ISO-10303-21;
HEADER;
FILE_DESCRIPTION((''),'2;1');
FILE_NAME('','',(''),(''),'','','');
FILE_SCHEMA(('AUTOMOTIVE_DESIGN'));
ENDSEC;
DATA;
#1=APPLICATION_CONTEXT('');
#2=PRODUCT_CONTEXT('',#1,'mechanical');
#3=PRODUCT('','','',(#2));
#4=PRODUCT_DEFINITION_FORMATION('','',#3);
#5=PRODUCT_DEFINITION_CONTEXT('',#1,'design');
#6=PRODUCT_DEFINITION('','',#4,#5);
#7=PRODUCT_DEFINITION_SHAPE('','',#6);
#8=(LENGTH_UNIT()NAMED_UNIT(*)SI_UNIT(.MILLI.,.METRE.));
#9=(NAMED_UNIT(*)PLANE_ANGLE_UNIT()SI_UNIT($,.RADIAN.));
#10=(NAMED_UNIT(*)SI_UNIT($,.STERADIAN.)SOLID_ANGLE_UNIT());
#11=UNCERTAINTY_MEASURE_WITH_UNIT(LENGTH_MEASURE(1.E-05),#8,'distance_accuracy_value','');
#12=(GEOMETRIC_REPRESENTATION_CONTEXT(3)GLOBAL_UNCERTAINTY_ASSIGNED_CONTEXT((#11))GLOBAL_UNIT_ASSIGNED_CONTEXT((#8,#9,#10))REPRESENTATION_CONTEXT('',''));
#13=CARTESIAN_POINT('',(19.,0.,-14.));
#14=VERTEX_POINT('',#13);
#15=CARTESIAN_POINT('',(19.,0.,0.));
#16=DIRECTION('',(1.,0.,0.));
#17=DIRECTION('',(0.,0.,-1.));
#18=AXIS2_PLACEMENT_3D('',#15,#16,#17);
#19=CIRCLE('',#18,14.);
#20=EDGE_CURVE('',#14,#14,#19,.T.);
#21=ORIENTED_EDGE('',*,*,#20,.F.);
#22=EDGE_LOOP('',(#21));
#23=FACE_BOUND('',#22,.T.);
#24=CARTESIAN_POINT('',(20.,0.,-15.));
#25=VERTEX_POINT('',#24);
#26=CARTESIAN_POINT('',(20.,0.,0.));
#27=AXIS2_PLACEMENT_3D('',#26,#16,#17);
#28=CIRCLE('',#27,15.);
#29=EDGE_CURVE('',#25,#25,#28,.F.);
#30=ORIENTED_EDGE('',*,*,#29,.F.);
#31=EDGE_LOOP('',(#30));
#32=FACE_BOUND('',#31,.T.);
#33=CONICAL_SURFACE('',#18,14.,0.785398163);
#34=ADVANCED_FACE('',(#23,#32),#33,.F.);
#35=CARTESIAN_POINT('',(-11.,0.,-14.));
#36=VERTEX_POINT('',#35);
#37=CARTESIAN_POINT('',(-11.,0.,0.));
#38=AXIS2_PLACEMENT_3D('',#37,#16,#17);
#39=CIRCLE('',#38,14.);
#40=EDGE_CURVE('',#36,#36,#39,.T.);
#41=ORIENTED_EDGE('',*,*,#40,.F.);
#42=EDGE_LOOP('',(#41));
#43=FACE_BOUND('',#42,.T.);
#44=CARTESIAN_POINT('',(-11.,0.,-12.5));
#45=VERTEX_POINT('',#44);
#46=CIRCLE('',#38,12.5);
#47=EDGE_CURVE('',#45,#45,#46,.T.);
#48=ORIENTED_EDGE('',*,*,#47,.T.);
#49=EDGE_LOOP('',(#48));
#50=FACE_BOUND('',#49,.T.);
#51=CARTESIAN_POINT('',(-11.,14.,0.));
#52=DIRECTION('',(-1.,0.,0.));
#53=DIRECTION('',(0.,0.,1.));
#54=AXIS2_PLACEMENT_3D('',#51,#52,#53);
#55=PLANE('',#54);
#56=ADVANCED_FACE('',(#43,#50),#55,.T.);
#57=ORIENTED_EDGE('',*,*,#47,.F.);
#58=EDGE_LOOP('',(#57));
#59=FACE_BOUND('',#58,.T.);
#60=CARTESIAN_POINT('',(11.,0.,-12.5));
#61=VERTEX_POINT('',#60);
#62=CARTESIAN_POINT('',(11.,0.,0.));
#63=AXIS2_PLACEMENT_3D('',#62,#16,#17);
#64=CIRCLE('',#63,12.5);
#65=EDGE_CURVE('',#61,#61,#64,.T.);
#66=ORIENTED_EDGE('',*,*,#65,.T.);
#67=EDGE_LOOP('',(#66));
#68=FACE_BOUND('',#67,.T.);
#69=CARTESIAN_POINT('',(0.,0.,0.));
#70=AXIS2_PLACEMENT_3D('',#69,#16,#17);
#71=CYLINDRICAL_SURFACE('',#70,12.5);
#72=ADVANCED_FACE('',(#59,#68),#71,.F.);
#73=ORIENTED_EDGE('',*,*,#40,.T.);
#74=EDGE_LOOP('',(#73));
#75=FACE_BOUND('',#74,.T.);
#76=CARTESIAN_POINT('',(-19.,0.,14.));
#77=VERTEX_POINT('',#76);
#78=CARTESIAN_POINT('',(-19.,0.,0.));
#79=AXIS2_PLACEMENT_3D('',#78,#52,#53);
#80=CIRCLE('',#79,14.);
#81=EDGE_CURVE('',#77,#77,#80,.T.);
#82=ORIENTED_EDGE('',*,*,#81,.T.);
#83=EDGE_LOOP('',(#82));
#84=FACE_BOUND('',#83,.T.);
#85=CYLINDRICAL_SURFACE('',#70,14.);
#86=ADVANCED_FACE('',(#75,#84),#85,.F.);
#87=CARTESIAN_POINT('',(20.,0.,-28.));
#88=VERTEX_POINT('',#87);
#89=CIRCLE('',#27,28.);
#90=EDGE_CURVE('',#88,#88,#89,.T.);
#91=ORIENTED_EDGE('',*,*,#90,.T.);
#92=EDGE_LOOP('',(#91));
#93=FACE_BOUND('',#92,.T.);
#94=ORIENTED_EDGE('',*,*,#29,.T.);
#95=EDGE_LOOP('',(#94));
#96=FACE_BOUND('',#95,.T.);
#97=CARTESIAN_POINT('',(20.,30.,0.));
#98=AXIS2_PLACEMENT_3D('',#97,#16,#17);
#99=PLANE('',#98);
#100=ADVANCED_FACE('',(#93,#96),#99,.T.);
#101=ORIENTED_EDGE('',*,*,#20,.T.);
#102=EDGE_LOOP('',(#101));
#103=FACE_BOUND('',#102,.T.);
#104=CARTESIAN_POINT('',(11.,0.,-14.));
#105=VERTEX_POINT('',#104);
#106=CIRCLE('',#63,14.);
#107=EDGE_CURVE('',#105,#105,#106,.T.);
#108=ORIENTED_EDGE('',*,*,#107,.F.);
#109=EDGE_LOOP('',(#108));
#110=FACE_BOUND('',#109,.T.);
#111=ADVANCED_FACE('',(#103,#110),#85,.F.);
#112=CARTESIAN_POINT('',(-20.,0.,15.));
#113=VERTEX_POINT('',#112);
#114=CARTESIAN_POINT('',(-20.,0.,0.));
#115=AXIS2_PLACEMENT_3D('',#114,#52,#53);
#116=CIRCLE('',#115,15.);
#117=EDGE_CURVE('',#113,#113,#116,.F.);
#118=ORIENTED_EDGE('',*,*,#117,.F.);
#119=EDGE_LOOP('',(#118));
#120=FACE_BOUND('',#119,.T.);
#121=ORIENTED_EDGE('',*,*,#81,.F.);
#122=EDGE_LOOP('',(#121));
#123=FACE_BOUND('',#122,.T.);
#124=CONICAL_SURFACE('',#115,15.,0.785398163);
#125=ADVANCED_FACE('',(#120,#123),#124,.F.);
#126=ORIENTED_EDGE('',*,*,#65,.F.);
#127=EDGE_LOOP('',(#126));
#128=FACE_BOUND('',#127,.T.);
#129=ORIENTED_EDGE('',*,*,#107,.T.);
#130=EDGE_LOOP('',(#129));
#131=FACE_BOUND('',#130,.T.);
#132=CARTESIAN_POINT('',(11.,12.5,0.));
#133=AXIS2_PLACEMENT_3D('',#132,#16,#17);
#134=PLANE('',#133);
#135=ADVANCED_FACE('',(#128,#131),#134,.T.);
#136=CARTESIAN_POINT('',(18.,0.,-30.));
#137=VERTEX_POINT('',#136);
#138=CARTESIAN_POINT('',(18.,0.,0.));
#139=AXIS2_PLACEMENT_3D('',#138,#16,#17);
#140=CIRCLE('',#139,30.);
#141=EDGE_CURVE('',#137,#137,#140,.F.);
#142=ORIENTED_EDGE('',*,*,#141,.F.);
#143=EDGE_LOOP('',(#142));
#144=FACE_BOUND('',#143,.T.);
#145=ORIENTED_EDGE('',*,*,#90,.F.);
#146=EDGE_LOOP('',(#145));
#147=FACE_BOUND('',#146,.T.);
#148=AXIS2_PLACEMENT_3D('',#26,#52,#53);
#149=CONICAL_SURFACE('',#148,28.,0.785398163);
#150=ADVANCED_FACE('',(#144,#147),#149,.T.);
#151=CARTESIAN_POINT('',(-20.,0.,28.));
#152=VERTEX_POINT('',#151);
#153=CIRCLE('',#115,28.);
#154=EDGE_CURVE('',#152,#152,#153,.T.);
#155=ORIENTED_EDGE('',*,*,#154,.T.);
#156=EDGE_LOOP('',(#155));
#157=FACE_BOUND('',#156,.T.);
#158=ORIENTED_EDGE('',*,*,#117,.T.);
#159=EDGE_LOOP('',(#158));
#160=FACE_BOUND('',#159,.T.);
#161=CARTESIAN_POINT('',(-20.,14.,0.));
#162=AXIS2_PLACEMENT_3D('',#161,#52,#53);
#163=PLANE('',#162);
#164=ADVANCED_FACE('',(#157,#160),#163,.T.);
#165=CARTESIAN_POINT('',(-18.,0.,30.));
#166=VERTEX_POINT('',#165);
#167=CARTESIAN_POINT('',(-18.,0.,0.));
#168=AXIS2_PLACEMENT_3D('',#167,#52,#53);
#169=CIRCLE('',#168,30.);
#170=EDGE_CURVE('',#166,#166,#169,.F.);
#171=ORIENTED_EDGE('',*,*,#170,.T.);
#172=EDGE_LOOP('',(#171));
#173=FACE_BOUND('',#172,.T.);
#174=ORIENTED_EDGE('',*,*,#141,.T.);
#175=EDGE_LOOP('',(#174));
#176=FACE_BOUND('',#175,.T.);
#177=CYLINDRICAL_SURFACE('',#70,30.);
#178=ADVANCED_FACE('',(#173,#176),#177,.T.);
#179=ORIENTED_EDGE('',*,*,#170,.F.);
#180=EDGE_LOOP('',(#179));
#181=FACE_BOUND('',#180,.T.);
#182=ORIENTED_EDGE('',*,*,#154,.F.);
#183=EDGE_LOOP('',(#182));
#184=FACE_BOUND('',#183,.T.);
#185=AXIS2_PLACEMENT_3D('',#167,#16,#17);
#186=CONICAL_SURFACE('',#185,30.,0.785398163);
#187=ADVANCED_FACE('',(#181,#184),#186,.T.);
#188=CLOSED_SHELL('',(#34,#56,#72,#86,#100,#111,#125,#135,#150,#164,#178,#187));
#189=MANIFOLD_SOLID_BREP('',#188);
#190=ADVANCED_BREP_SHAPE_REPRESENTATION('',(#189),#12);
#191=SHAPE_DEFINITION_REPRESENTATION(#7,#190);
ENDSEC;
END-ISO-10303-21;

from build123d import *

# Parameters (mm, degrees)
CHAMFER_1_SIZE = 2
CHAMFER_2_SIZE = 1


with BuildPart() as part:
    # Эскиз1 → Повернуть1 (revolve)
    with BuildSketch(Plane.XY, mode=Mode.PRIVATE) as revolve_1_sk:
        Polygon((-20, 30), (20, 30), (20, 14), (11, 14), (11, 12.5), (-11, 12.5), (-11, 14), (-20, 14), align=None)
    revolve(revolve_1_sk.sketch.rotate(Axis((0, 0, 0), (-1, 0, 0)), 90), axis=Axis((0, 0, 0), (-1, 0, 0)))

    # Фаска1
    chamfer_1_edges = [part.edges().sort_by_distance(p)[0] for p in [
        (-20, 0, 30),
        (20, 0, 30),
    ]]
    chamfer(chamfer_1_edges, length=CHAMFER_1_SIZE)

    # Фаска2
    chamfer_2_edges = [part.edges().sort_by_distance(p)[0] for p in [
        (-20, 0, 14),
        (20, 0, 14),
    ]]
    chamfer(chamfer_2_edges, length=CHAMFER_2_SIZE)


solid = part.part
